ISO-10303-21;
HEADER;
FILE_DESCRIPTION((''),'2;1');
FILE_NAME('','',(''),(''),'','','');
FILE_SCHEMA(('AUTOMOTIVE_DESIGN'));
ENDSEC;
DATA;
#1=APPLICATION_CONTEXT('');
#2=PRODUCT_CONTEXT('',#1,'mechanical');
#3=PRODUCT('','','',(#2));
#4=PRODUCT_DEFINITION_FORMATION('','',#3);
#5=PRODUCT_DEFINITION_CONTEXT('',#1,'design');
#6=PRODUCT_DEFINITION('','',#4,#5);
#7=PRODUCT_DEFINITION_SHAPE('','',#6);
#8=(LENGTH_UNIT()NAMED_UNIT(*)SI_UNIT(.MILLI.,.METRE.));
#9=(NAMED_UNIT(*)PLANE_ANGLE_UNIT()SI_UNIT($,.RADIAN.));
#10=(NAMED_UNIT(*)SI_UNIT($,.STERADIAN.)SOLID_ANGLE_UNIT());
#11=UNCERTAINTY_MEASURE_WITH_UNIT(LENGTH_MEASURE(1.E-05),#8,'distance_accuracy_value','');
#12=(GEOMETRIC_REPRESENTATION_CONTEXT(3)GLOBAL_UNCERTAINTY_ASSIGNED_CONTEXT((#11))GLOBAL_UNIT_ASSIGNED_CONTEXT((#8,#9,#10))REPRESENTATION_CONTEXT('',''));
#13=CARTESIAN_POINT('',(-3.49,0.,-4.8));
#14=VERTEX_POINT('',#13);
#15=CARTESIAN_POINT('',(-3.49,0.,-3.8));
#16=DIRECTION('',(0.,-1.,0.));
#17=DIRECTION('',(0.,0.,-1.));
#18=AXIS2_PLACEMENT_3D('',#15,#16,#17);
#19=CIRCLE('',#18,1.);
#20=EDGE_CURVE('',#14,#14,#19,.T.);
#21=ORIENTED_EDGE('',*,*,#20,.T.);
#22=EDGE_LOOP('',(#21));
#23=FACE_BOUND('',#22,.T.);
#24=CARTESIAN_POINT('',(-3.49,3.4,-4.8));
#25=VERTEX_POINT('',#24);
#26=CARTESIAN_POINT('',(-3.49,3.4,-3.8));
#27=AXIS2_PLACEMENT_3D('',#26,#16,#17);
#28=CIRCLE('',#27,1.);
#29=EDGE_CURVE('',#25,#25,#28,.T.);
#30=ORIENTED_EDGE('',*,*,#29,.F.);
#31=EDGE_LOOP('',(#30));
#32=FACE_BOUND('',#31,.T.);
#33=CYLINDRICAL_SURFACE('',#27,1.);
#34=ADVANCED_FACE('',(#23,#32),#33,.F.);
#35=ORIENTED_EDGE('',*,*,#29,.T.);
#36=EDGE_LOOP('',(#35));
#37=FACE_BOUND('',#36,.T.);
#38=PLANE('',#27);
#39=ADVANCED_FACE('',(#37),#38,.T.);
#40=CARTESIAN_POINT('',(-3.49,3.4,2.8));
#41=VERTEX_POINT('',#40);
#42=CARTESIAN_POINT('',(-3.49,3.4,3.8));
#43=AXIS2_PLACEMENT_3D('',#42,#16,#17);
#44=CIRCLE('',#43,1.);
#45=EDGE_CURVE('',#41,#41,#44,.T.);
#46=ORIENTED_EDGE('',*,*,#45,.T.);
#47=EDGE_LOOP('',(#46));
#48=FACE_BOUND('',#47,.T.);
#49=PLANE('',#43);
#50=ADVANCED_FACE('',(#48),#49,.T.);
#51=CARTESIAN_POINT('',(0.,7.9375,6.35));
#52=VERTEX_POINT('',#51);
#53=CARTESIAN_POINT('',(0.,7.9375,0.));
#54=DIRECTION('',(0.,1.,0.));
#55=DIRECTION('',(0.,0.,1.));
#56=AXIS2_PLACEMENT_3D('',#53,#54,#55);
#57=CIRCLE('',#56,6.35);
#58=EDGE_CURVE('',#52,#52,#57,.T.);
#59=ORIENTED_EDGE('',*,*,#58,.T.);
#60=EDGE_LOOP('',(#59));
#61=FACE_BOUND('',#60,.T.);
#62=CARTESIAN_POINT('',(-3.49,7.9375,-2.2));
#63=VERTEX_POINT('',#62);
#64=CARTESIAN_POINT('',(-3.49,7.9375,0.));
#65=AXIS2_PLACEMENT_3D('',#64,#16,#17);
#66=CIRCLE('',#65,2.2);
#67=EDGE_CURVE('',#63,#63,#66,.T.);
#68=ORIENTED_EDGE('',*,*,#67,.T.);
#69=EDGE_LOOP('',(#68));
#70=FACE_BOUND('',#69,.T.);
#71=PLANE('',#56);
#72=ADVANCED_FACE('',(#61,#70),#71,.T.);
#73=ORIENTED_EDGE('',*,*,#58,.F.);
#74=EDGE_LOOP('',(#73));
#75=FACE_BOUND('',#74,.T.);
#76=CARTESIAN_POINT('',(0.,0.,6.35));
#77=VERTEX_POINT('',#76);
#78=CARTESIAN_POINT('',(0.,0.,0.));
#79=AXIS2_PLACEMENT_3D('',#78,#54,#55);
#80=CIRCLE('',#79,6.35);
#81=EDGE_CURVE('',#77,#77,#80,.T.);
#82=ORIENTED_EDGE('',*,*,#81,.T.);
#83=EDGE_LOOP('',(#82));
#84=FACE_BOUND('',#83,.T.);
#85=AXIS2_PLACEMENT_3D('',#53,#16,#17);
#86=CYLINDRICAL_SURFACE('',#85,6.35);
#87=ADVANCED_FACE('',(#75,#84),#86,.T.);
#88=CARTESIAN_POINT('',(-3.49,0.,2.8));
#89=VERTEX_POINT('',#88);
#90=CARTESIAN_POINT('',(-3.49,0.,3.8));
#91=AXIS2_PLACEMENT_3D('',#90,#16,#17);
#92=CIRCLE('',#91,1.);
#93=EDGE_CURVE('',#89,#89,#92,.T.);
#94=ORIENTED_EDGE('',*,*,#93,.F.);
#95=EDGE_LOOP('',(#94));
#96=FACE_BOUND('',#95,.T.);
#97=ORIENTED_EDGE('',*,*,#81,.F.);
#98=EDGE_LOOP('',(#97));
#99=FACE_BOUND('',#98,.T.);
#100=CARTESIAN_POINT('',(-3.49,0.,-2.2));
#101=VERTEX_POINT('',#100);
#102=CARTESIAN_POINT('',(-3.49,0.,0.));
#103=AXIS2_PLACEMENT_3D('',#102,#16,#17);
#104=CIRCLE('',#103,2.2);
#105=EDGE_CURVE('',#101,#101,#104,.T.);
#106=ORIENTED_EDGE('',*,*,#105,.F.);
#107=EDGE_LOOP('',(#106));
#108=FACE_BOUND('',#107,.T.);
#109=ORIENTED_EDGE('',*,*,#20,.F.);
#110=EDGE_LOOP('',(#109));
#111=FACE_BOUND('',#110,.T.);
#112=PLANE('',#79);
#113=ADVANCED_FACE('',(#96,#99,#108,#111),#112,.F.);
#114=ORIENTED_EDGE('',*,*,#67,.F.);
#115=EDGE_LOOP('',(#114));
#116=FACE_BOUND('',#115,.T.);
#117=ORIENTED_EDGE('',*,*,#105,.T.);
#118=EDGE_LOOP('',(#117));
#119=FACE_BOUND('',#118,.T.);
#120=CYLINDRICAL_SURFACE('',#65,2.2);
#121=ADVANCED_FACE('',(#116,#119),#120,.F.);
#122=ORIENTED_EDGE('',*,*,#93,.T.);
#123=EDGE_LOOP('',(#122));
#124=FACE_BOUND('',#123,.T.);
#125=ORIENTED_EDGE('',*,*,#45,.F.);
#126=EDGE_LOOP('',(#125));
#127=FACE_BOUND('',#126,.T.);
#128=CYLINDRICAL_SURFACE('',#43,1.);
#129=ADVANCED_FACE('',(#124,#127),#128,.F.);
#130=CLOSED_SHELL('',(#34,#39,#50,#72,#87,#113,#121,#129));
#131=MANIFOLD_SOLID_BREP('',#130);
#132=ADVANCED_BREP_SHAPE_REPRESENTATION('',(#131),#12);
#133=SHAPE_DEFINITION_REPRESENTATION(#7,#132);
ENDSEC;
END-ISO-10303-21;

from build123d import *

# Parameters (mm, degrees)
SKETCH1_R           = 6.35
BOSS_EXTRUDE1_DEPTH = 7.9375
SKETCH2_R           = 2.2
CUT_EXTRUDE1_DEPTH  = 12.985362166
SKETCH3_R           = 1
CUT_EXTRUDE2_DEPTH  = 3.4


with BuildPart() as part:
    # Sketch1 → Boss-Extrude1 (new body)
    with BuildSketch(Plane(origin=(0, 0, 0), x_dir=(1, 0, 0), z_dir=(0, 1, 0))):
        with Locations(Location((0, 0, 0), (0, 0, 270))):
            Circle(SKETCH1_R)
    extrude(amount=BOSS_EXTRUDE1_DEPTH)

    # Sketch2 → Cut-Extrude1 (cut, through all)
    with BuildSketch(Plane.XZ):
        with Locations(Location((-3.49, 0, 0), (0, 0, 270))):
            Circle(SKETCH2_R)
    extrude(amount=-CUT_EXTRUDE1_DEPTH, mode=Mode.SUBTRACT)

    # Sketch3 → Cut-Extrude2 (cut)
    with BuildSketch(Plane.XZ):
        with Locations(Location((-3.49, -3.8, 0), (0, 0, 270))):
            Circle(SKETCH3_R)
        with Locations(Location((-3.49, 3.8, 0), (0, 0, 270))):
            Circle(SKETCH3_R)
    extrude(amount=-CUT_EXTRUDE2_DEPTH, mode=Mode.SUBTRACT)


solid = part.part
